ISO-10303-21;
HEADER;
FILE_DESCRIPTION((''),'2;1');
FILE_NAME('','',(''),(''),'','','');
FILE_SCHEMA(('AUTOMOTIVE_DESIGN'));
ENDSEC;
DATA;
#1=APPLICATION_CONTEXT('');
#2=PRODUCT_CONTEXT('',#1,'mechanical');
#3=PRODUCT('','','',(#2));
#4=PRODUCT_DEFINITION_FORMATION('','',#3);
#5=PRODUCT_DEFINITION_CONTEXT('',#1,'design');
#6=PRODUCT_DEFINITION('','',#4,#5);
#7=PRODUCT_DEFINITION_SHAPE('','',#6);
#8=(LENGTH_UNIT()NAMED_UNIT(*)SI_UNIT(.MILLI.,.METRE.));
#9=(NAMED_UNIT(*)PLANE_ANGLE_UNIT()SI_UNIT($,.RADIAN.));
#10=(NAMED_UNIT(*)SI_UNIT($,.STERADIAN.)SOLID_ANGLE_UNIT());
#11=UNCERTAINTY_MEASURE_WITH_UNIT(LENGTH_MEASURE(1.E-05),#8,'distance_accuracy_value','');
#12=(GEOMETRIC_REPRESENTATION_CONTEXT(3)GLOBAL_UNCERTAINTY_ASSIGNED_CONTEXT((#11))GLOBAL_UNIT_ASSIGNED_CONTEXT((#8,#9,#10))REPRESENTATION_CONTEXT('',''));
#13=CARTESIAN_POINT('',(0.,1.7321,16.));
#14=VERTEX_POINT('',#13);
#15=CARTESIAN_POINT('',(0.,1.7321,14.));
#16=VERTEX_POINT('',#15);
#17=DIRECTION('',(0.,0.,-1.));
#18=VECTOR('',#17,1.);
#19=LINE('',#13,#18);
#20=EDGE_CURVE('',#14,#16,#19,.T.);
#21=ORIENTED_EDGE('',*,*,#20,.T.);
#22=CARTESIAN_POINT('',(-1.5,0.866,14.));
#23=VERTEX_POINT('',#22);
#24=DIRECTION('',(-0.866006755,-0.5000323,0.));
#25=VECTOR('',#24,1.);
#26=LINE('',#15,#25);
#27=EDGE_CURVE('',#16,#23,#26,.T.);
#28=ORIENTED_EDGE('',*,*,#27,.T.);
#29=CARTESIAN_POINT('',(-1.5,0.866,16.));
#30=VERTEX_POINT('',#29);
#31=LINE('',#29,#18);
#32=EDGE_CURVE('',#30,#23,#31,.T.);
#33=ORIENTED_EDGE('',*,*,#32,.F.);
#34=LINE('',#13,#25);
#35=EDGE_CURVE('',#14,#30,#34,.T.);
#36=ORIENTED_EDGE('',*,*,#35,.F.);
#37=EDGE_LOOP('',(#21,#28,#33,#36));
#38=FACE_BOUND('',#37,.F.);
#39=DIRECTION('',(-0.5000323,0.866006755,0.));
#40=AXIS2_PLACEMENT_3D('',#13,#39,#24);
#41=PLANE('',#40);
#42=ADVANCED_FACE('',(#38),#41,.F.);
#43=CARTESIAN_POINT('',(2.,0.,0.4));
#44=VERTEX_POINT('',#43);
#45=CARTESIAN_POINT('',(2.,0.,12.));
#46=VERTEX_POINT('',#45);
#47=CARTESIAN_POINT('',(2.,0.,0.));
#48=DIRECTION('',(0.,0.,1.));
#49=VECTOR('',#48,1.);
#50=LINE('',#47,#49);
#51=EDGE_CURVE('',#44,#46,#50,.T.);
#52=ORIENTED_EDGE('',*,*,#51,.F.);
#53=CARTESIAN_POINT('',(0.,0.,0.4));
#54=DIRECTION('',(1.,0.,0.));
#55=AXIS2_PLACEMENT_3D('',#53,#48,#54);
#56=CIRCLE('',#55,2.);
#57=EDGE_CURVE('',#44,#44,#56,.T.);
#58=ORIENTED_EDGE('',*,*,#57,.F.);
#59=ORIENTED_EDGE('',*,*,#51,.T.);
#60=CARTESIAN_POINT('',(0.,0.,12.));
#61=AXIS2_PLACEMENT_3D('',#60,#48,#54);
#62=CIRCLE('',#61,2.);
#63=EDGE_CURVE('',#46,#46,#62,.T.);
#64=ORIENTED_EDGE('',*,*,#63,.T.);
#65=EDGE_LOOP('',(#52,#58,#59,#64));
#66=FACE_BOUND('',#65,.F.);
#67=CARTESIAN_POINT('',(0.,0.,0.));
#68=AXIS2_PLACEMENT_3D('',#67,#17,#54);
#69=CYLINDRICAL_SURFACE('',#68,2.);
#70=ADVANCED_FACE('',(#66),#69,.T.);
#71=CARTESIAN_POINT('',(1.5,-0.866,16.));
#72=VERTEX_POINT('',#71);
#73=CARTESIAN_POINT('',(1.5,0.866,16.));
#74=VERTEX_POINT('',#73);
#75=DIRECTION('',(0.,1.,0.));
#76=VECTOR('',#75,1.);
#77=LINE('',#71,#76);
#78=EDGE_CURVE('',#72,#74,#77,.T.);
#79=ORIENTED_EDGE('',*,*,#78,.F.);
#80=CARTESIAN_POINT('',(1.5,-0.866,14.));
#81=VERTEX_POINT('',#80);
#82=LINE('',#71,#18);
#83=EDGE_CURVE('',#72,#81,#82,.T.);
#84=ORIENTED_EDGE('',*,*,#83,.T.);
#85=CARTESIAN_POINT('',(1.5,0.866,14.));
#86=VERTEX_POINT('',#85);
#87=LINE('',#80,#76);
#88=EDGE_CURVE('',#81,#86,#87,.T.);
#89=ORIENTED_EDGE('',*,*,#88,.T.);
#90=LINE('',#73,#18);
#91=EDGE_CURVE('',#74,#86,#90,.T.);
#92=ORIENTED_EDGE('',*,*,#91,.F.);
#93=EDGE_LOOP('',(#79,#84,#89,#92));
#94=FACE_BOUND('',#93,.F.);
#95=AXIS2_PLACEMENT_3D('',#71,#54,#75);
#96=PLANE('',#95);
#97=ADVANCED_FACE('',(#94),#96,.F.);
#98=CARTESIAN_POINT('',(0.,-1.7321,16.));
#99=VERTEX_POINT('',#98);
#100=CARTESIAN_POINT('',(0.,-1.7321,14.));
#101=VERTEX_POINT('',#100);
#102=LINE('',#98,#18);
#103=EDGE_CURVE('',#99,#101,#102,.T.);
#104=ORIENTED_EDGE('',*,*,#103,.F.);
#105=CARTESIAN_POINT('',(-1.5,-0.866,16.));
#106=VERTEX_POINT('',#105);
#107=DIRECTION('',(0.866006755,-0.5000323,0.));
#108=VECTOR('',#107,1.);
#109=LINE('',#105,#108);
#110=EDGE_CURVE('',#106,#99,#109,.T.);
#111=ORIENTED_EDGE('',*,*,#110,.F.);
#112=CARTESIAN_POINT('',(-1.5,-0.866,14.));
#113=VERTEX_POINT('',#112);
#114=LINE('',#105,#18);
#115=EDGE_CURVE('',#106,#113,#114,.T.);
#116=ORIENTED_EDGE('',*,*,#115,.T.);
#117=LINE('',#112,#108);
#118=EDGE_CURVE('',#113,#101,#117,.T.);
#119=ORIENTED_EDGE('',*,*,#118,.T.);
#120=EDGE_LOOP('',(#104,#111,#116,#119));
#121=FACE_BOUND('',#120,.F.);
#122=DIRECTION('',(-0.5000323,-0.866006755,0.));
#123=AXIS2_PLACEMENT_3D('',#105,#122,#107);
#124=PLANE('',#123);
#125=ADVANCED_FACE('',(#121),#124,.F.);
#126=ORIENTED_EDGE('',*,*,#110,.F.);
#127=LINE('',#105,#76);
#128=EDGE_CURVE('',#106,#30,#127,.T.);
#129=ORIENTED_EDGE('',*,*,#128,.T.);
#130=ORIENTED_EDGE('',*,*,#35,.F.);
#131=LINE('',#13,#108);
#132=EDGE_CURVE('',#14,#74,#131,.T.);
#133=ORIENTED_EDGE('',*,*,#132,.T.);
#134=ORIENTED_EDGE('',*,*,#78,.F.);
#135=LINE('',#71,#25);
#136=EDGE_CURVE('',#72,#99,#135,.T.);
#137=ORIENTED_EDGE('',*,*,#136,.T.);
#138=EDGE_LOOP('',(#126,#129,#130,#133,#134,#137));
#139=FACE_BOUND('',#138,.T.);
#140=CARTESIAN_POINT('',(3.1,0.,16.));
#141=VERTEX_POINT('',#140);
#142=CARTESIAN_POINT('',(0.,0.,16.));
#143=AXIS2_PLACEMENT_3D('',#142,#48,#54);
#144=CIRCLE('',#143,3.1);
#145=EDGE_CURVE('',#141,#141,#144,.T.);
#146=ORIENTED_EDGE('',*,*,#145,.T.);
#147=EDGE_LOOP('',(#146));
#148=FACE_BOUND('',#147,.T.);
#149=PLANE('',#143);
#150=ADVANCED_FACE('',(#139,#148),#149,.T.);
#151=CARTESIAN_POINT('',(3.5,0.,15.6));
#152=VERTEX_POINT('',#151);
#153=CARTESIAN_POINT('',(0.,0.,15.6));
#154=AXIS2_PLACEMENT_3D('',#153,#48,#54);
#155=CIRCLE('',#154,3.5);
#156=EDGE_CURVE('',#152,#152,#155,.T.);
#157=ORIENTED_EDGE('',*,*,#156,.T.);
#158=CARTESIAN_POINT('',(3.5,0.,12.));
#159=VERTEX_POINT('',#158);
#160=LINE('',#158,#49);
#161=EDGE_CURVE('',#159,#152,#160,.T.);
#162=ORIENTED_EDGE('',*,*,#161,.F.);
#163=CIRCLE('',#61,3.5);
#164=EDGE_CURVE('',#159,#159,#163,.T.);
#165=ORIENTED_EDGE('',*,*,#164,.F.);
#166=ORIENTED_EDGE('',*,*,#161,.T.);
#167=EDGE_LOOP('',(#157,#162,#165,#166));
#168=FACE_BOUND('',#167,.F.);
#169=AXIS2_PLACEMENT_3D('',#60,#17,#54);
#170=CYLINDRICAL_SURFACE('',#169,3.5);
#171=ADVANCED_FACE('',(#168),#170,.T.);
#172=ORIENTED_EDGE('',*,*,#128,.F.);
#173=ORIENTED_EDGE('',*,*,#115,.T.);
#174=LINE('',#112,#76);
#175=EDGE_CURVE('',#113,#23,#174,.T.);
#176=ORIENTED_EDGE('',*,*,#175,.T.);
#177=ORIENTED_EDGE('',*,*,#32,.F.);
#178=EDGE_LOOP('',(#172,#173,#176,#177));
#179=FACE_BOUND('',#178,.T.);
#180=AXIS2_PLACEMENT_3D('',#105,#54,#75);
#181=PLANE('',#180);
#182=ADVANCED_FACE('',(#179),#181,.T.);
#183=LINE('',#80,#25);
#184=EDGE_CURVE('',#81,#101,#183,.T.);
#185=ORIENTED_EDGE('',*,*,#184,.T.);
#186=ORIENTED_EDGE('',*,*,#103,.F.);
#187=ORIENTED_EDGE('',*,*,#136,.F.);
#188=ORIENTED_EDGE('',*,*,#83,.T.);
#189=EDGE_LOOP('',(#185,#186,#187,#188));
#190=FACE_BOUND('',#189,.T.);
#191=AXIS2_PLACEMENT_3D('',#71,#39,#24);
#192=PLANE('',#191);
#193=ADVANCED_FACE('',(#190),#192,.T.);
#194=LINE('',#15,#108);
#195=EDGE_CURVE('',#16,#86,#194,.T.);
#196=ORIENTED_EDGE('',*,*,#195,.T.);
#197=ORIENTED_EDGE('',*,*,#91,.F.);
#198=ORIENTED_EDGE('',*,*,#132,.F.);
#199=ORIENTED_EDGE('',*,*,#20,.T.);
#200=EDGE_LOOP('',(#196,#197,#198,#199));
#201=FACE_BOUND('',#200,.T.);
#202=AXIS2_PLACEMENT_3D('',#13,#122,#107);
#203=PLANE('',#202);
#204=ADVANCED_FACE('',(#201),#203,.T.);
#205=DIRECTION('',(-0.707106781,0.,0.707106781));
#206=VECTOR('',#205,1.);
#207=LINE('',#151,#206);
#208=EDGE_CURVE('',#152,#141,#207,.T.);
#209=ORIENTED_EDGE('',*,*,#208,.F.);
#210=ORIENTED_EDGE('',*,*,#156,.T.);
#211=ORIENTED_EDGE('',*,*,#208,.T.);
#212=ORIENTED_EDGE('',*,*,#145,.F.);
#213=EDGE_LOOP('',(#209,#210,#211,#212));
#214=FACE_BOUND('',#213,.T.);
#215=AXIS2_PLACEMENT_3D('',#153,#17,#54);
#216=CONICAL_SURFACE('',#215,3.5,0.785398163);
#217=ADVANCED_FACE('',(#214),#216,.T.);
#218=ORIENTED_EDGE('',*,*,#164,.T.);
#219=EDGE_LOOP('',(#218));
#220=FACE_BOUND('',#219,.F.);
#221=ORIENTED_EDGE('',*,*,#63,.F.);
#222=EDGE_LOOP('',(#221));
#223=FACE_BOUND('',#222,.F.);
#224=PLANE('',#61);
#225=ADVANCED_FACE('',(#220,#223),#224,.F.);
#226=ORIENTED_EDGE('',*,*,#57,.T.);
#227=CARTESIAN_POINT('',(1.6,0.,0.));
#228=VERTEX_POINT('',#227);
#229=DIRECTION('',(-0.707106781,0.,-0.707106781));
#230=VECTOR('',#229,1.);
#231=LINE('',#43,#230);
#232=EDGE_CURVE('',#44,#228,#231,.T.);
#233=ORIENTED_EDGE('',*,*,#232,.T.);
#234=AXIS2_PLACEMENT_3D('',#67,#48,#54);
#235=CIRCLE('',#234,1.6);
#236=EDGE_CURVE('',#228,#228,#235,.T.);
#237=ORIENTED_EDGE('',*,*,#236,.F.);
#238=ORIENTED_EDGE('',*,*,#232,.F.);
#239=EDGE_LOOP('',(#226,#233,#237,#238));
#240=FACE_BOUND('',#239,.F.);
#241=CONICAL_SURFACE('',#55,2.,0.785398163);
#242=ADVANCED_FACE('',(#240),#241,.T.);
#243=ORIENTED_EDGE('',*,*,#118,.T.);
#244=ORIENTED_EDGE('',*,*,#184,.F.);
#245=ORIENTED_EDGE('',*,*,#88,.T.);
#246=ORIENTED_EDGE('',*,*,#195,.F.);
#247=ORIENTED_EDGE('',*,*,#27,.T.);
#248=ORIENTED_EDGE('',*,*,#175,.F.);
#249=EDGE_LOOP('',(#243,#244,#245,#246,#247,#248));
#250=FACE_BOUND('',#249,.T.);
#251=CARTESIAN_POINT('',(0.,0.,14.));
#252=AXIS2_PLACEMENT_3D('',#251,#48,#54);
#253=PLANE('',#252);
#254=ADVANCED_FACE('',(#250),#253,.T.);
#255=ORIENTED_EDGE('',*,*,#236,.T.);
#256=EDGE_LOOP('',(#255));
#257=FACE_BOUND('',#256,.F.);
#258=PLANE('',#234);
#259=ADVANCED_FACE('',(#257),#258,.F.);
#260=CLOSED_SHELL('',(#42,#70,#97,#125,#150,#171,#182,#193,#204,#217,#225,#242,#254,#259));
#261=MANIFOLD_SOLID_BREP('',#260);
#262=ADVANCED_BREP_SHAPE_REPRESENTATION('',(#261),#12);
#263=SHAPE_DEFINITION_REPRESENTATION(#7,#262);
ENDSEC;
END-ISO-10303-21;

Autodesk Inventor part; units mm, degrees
ref_plane "YZ Plane" through (0, 0, 0) normal (1, 0, 0) x (0, 1, 0)
ref_plane "XZ Plane" through (0, 0, 0) normal (0, 1, 0) x (-1, 0, 0)
ref_plane "XY Plane" through (0, 0, 0) normal (0, 0, 1) x (1, 0, 0)
sketch "Sketch1" plane through (0, 0, 0) normal (0, 0, 1) x (1, 0, 0)
  circle A0 centre (0, 0) radius 2
  dimension "Diameter" = 4
extrude "Extrusion1" add sketch "Sketch1" along normal blind 12
sketch "Sketch2" plane through (0, 0, 12) normal (0, 0, 1) x (1, 0, 0)
  circle A0 centre (0, 0) radius 2 projected
  circle A1 centre (0, 0) radius 3.5
  dimension "Head_Diameter" = 7
extrude "Extrusion2" add sketch "Sketch2" along normal blind 4 contours A0 | A1
sketch "Sketch3" plane through (0, 0, 16) normal (0, 0, 1) x (1, 0, 0)
  circle A0 centre (0, 0) radius 3.5 projected
  circle A1 centre (0, 0) radius 1.7321 construction
  line L0 (0, 1.7321) -> (1.5, 0.866)
  line L1 (1.5, -0.866) -> (1.5, 0.866)
  line L2 (0, 1.7321) -> (-1.5, 0.866)
  line L3 (-1.5, -0.866) -> (-1.5, 0.866)
  line L4 (-1.5, -0.866) -> (0, -1.7321)
  line L5 (1.5, -0.866) -> (0, -1.7321)
  dimension "Hex_Width" = 3
extrude "Extrusion3" cut sketch "Sketch3" against normal blind 2 contours L0 L1 L5 L4 L3 L2
thread "Thread1" size "M4x0.7" class "4g6g" standard "ANSI Metric M Profile" length 20
chamfer "Chamfer1" distance 0.4 angle 45 2 edges at (-3.5, 0, 16) (-2, 0, 0)
equation "\"d9\" = ThreadLength"
equation "\"d12\" = Chamfer"
equation "\"ThreadLength\" = 20"
equation "\"Chamfer\" = 0.4"
properties part number "SCREW, SOCKET HD, P, 12_9, M4X0_7X12" material "Steel, MS"
